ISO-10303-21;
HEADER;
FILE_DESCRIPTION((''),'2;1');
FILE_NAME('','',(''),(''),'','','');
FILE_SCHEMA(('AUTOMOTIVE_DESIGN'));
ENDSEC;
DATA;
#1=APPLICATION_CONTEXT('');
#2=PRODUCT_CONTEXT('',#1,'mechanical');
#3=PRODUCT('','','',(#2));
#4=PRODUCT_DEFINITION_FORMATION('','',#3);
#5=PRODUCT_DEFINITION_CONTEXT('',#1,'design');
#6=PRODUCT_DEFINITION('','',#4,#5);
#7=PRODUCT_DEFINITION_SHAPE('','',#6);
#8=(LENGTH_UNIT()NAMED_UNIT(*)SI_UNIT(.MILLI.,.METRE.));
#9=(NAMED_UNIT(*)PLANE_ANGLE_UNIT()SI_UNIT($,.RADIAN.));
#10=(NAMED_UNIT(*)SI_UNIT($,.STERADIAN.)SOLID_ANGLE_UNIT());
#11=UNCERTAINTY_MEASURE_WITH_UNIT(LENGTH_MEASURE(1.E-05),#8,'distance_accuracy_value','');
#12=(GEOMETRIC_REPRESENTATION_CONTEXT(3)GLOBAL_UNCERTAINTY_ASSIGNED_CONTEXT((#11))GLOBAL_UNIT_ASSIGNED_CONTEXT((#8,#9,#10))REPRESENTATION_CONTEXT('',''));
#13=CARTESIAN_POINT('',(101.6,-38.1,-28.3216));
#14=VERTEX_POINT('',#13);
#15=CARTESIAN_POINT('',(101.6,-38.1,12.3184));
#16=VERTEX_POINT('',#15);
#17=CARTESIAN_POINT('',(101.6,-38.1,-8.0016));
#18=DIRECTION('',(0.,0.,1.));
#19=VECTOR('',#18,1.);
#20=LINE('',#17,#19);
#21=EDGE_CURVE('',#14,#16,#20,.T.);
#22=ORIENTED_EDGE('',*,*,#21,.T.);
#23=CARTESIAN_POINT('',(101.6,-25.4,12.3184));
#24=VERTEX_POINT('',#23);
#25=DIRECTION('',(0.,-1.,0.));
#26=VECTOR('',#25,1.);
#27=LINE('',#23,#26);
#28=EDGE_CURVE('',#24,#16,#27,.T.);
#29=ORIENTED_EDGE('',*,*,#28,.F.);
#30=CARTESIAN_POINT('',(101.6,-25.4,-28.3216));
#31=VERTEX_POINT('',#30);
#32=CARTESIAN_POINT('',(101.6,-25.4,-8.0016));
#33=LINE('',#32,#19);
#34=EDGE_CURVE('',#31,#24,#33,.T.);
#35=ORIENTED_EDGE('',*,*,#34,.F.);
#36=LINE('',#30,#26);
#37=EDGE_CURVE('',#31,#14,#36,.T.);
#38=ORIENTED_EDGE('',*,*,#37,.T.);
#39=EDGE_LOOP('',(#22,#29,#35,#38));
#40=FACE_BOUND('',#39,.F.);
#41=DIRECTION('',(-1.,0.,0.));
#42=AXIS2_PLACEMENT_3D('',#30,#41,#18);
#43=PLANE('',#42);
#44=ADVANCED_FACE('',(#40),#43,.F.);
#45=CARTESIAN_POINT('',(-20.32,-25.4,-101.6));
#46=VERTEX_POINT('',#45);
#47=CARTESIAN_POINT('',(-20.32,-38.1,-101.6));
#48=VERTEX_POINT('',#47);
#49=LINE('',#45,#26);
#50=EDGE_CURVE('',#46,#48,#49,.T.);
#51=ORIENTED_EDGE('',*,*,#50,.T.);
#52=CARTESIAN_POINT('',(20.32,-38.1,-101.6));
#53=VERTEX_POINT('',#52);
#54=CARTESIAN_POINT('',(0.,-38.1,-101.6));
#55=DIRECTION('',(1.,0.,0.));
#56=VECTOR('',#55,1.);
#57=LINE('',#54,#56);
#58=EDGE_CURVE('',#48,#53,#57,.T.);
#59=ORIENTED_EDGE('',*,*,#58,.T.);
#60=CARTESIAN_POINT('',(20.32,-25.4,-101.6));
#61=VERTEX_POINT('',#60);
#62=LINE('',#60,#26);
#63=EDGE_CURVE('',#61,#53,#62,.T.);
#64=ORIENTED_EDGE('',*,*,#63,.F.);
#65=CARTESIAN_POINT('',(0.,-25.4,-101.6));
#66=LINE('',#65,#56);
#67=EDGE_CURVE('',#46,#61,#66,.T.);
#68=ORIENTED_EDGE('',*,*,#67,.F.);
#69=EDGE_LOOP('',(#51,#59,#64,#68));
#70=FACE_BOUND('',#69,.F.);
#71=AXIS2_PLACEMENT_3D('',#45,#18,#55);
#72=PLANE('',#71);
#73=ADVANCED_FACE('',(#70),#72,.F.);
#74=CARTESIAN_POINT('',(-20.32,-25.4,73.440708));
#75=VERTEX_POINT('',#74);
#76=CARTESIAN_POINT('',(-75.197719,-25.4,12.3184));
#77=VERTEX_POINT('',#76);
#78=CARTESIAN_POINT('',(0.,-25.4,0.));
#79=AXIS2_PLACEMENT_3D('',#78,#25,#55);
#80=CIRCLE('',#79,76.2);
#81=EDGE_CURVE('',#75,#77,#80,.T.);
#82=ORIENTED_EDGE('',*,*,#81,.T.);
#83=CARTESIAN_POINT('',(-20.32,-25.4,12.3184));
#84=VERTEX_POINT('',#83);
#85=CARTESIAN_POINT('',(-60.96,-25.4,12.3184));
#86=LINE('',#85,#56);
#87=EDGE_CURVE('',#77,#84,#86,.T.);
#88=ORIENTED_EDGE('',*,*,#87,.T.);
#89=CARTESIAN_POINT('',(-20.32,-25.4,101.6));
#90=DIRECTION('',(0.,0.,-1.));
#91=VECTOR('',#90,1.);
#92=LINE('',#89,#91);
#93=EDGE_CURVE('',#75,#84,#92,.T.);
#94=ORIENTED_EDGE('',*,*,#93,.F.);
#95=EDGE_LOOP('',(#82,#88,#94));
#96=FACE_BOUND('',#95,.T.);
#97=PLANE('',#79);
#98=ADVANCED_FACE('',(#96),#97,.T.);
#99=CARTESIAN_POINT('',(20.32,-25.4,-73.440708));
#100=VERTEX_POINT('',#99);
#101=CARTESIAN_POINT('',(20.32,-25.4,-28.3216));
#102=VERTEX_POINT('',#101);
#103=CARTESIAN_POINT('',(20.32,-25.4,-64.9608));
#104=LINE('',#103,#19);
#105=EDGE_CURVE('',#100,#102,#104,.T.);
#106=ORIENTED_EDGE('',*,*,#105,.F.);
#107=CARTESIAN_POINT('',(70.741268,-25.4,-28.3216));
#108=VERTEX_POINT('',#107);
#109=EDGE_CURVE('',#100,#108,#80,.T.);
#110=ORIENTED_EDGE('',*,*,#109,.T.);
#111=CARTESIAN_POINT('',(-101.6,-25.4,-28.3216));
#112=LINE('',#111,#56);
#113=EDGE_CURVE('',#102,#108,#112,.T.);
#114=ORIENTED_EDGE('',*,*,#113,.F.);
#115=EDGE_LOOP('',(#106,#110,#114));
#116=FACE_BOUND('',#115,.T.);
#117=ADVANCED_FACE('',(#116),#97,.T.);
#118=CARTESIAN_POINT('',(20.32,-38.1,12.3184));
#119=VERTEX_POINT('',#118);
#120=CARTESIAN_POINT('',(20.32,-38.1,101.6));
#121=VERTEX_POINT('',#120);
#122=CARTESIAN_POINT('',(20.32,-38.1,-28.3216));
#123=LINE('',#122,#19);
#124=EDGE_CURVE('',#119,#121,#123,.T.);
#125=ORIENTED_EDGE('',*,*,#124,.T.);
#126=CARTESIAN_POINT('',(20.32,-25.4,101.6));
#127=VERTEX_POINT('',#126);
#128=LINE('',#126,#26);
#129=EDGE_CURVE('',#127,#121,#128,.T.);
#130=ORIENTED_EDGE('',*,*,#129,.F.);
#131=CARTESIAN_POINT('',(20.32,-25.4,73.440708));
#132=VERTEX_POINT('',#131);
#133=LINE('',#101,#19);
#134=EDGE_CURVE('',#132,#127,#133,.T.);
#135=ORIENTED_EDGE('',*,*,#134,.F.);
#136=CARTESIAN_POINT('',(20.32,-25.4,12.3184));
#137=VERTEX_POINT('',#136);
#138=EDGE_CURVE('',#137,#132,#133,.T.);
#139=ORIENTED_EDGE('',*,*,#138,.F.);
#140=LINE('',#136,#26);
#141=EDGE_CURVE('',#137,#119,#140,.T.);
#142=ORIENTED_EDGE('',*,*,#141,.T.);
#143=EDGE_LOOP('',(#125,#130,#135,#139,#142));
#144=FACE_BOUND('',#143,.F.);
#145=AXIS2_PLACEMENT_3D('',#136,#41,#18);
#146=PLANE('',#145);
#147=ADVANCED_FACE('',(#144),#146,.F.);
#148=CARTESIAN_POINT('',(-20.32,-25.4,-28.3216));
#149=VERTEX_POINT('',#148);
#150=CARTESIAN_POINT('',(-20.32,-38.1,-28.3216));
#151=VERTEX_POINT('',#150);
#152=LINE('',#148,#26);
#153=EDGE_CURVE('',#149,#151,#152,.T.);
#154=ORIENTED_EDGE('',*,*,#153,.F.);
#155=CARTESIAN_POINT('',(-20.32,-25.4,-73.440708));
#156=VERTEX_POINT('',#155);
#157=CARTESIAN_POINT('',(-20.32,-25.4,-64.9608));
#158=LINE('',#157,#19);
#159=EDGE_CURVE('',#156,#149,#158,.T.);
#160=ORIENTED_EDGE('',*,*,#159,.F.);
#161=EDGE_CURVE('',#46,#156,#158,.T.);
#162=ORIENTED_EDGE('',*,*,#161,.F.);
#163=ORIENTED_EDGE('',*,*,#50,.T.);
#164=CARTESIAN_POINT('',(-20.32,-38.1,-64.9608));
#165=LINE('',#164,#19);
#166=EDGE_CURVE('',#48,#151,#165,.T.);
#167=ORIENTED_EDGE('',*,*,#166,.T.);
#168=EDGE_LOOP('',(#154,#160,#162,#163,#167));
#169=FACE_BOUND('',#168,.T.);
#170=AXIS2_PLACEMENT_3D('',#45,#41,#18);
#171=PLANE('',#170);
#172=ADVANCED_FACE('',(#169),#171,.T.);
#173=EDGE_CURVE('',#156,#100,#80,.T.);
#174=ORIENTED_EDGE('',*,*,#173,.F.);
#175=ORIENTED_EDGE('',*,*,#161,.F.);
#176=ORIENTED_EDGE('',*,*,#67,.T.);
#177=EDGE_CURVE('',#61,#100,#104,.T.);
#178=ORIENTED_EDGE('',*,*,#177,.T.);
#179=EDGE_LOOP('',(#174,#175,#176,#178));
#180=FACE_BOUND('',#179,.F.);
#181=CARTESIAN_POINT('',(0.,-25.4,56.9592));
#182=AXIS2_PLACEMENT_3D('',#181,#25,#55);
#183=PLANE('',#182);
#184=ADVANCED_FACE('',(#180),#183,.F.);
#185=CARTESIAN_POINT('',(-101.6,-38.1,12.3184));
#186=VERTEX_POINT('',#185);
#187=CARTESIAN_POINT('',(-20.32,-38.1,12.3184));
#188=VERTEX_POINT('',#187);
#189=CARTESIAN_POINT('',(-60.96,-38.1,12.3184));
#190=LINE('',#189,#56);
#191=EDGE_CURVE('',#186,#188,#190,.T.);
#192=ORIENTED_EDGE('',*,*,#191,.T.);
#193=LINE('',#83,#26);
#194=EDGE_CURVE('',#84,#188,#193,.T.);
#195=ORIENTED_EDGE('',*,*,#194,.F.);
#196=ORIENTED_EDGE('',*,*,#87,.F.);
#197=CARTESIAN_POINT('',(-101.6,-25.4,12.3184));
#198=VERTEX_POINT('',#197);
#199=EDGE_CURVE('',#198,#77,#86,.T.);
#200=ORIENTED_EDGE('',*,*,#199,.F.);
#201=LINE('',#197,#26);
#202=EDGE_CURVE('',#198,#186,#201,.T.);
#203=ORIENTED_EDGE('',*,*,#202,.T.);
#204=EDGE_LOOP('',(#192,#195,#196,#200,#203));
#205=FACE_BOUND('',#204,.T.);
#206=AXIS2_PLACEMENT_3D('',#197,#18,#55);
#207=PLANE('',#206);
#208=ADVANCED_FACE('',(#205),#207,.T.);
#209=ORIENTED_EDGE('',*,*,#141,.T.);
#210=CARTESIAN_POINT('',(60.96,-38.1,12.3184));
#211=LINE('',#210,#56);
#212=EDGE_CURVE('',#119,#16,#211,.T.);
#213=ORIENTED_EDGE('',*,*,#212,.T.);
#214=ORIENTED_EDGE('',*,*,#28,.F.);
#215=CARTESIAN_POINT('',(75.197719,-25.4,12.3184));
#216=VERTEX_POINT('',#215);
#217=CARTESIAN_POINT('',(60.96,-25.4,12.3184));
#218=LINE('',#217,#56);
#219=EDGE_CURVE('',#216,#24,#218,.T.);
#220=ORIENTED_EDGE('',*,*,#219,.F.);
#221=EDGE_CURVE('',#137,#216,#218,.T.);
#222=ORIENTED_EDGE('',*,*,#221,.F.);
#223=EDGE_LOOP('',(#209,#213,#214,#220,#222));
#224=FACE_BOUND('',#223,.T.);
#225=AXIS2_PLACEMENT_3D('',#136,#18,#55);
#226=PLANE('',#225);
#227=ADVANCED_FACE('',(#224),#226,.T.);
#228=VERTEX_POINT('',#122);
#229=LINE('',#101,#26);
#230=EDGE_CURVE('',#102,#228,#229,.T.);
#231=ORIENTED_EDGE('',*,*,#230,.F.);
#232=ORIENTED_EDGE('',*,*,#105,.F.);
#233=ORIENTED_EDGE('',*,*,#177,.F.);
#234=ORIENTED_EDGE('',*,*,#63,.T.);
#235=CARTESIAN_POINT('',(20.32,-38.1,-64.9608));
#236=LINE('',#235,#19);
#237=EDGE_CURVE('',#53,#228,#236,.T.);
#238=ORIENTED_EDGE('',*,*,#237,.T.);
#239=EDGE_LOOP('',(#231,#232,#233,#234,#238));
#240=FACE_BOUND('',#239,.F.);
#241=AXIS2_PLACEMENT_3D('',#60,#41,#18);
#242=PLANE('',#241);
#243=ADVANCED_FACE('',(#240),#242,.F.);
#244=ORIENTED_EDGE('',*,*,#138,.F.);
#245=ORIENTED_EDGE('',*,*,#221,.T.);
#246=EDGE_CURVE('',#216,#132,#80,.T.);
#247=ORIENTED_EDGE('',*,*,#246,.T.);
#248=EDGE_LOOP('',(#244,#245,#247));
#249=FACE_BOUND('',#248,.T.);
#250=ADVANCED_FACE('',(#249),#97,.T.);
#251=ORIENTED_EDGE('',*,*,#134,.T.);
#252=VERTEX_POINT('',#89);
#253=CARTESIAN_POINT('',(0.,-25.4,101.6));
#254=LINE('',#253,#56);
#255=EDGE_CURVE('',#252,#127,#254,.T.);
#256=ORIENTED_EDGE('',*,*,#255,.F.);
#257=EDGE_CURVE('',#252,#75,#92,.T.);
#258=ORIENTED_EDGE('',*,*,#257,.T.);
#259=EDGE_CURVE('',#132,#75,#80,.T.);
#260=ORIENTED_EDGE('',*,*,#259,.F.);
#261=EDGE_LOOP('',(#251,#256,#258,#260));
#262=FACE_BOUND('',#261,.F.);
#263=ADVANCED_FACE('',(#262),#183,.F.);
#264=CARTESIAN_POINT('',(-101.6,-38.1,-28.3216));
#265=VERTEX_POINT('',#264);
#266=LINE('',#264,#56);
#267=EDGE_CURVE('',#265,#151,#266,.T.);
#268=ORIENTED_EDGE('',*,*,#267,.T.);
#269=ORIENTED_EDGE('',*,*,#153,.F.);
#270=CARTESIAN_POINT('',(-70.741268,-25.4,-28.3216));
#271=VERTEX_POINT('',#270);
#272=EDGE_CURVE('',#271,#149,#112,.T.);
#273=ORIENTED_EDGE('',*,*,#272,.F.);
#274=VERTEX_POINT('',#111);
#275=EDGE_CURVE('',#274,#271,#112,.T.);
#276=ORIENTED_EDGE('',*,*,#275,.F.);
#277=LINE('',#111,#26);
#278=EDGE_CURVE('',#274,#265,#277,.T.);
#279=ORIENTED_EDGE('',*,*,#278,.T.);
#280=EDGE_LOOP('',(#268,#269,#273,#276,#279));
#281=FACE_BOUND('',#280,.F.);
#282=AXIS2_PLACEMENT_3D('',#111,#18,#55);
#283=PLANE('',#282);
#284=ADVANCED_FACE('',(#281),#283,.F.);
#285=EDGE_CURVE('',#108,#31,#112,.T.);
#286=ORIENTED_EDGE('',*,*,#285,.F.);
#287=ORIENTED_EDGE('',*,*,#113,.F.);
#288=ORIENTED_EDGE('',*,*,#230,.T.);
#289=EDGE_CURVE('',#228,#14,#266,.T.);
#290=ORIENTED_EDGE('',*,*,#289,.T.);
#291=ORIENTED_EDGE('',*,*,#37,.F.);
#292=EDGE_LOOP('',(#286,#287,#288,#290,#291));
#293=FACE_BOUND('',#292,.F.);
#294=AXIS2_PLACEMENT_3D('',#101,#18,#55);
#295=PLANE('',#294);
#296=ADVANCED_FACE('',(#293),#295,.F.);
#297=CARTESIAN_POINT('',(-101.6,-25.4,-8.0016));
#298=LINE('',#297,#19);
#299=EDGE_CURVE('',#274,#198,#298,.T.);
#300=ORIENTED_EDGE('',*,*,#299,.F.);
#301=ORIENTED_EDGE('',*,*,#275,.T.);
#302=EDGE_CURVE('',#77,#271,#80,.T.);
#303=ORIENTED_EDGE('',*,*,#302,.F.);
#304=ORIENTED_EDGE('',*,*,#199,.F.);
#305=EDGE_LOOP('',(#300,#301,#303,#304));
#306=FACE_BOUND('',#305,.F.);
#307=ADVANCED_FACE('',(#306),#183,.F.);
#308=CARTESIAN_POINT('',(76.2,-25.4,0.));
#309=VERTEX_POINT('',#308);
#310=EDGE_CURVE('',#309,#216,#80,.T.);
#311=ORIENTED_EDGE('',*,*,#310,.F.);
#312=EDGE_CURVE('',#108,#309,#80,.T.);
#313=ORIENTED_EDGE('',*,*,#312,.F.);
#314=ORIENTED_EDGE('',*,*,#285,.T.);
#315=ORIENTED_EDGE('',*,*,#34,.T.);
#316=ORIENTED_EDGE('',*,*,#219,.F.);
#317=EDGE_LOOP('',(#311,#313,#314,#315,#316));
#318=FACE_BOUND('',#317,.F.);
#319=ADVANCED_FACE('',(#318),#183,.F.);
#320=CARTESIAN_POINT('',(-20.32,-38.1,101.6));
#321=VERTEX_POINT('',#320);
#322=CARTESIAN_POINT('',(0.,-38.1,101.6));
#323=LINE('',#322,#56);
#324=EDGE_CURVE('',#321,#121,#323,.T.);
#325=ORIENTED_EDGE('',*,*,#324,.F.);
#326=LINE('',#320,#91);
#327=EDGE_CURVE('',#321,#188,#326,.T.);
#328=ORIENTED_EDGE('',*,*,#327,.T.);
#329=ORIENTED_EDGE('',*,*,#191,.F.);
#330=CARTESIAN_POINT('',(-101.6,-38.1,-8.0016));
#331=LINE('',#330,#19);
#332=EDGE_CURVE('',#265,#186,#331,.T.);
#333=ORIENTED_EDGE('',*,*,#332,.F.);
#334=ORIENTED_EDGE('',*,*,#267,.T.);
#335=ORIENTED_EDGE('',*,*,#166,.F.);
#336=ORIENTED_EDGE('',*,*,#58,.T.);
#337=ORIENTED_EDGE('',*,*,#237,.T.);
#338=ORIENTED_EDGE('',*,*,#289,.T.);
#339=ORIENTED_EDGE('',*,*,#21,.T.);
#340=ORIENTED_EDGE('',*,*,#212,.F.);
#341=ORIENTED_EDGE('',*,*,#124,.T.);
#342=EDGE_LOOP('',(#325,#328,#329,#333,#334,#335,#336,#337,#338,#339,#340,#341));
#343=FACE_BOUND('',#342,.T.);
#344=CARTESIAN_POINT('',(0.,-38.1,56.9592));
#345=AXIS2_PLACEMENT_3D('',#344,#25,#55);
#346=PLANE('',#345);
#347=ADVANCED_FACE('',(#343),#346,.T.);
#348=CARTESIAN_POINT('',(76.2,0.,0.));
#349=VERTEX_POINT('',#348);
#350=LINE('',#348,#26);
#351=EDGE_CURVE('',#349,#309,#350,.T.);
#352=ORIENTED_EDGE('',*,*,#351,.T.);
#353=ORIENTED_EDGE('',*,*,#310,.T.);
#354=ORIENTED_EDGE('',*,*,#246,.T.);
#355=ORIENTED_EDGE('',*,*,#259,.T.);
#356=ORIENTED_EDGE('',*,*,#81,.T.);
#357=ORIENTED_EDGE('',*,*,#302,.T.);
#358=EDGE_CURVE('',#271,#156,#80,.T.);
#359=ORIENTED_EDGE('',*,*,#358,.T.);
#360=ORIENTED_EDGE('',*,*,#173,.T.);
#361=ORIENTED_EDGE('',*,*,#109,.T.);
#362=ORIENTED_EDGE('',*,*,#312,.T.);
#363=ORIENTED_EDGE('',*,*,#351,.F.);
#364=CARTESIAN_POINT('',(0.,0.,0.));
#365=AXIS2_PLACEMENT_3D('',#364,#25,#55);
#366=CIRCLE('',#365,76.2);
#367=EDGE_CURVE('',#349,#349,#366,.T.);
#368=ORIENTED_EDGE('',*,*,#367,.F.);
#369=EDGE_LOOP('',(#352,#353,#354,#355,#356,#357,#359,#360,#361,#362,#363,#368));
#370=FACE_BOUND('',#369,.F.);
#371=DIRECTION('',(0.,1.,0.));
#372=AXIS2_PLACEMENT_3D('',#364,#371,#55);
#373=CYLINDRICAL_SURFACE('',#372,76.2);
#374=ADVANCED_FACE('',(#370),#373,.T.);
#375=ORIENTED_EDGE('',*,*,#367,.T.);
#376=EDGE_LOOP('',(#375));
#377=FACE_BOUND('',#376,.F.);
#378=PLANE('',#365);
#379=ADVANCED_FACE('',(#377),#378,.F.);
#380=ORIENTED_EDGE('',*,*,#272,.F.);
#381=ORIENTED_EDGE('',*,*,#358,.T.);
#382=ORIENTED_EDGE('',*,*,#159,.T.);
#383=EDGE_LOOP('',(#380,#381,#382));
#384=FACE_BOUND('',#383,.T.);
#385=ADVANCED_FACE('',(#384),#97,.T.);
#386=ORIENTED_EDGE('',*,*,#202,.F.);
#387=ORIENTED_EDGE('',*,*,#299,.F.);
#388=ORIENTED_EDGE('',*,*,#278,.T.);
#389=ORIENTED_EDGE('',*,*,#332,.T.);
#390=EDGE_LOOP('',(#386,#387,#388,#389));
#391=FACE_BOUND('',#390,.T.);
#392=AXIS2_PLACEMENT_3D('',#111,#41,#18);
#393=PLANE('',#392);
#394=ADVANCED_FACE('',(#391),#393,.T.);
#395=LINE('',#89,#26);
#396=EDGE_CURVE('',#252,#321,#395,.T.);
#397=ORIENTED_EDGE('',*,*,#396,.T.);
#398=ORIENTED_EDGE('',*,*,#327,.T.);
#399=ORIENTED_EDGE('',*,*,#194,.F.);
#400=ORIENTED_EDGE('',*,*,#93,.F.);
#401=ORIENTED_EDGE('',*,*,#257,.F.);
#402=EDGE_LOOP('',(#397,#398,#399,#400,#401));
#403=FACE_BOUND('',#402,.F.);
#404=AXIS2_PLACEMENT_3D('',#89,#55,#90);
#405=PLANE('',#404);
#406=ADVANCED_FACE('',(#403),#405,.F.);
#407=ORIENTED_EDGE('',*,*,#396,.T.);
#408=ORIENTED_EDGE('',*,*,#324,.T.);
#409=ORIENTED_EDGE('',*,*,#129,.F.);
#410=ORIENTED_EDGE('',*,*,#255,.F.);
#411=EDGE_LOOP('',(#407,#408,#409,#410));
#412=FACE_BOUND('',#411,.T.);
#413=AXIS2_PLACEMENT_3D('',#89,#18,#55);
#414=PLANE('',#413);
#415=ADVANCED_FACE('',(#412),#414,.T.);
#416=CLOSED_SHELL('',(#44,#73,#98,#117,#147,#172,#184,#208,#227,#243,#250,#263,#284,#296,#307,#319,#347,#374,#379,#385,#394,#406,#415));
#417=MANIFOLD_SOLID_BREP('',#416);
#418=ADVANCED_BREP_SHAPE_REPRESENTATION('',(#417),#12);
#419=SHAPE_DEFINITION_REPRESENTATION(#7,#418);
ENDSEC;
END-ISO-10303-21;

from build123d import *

# Parameters (mm, degrees)
F0_R     = 76.2
F1_DEPTH = 25.4
F2_W     = 40.64
F2_H     = 89.2815995878
F2_H_2   = 40.64
F2_W_2   = 81.28
F2_H_3   = 73.2784004122
F3_DEPTH = 12.7


with BuildPart() as f1:
    # F0 (on Front) → F1 (new body)
    with BuildSketch(Plane.XZ):
        Circle(F0_R)
    extrude(amount=F1_DEPTH)

    # F2 (on face) → F3 (join)
    with BuildSketch(Plane.XZ.offset(25.4)):
        with Locations((0, 56.9592002061)):
            Rectangle(F2_W, F2_H)
        with Locations((0, -8.0015995878)):
            Rectangle(F2_W, F2_H_2)
        with Locations((-60.96, -8.0015995878)):
            Rectangle(F2_W_2, F2_H_2)
        with Locations((60.96, -8.0015995878)):
            Rectangle(F2_W_2, F2_H_2)
        with Locations((0, -64.9607997939)):
            Rectangle(F2_W, F2_H_3)
    extrude(amount=F3_DEPTH)


solid = f1.part
